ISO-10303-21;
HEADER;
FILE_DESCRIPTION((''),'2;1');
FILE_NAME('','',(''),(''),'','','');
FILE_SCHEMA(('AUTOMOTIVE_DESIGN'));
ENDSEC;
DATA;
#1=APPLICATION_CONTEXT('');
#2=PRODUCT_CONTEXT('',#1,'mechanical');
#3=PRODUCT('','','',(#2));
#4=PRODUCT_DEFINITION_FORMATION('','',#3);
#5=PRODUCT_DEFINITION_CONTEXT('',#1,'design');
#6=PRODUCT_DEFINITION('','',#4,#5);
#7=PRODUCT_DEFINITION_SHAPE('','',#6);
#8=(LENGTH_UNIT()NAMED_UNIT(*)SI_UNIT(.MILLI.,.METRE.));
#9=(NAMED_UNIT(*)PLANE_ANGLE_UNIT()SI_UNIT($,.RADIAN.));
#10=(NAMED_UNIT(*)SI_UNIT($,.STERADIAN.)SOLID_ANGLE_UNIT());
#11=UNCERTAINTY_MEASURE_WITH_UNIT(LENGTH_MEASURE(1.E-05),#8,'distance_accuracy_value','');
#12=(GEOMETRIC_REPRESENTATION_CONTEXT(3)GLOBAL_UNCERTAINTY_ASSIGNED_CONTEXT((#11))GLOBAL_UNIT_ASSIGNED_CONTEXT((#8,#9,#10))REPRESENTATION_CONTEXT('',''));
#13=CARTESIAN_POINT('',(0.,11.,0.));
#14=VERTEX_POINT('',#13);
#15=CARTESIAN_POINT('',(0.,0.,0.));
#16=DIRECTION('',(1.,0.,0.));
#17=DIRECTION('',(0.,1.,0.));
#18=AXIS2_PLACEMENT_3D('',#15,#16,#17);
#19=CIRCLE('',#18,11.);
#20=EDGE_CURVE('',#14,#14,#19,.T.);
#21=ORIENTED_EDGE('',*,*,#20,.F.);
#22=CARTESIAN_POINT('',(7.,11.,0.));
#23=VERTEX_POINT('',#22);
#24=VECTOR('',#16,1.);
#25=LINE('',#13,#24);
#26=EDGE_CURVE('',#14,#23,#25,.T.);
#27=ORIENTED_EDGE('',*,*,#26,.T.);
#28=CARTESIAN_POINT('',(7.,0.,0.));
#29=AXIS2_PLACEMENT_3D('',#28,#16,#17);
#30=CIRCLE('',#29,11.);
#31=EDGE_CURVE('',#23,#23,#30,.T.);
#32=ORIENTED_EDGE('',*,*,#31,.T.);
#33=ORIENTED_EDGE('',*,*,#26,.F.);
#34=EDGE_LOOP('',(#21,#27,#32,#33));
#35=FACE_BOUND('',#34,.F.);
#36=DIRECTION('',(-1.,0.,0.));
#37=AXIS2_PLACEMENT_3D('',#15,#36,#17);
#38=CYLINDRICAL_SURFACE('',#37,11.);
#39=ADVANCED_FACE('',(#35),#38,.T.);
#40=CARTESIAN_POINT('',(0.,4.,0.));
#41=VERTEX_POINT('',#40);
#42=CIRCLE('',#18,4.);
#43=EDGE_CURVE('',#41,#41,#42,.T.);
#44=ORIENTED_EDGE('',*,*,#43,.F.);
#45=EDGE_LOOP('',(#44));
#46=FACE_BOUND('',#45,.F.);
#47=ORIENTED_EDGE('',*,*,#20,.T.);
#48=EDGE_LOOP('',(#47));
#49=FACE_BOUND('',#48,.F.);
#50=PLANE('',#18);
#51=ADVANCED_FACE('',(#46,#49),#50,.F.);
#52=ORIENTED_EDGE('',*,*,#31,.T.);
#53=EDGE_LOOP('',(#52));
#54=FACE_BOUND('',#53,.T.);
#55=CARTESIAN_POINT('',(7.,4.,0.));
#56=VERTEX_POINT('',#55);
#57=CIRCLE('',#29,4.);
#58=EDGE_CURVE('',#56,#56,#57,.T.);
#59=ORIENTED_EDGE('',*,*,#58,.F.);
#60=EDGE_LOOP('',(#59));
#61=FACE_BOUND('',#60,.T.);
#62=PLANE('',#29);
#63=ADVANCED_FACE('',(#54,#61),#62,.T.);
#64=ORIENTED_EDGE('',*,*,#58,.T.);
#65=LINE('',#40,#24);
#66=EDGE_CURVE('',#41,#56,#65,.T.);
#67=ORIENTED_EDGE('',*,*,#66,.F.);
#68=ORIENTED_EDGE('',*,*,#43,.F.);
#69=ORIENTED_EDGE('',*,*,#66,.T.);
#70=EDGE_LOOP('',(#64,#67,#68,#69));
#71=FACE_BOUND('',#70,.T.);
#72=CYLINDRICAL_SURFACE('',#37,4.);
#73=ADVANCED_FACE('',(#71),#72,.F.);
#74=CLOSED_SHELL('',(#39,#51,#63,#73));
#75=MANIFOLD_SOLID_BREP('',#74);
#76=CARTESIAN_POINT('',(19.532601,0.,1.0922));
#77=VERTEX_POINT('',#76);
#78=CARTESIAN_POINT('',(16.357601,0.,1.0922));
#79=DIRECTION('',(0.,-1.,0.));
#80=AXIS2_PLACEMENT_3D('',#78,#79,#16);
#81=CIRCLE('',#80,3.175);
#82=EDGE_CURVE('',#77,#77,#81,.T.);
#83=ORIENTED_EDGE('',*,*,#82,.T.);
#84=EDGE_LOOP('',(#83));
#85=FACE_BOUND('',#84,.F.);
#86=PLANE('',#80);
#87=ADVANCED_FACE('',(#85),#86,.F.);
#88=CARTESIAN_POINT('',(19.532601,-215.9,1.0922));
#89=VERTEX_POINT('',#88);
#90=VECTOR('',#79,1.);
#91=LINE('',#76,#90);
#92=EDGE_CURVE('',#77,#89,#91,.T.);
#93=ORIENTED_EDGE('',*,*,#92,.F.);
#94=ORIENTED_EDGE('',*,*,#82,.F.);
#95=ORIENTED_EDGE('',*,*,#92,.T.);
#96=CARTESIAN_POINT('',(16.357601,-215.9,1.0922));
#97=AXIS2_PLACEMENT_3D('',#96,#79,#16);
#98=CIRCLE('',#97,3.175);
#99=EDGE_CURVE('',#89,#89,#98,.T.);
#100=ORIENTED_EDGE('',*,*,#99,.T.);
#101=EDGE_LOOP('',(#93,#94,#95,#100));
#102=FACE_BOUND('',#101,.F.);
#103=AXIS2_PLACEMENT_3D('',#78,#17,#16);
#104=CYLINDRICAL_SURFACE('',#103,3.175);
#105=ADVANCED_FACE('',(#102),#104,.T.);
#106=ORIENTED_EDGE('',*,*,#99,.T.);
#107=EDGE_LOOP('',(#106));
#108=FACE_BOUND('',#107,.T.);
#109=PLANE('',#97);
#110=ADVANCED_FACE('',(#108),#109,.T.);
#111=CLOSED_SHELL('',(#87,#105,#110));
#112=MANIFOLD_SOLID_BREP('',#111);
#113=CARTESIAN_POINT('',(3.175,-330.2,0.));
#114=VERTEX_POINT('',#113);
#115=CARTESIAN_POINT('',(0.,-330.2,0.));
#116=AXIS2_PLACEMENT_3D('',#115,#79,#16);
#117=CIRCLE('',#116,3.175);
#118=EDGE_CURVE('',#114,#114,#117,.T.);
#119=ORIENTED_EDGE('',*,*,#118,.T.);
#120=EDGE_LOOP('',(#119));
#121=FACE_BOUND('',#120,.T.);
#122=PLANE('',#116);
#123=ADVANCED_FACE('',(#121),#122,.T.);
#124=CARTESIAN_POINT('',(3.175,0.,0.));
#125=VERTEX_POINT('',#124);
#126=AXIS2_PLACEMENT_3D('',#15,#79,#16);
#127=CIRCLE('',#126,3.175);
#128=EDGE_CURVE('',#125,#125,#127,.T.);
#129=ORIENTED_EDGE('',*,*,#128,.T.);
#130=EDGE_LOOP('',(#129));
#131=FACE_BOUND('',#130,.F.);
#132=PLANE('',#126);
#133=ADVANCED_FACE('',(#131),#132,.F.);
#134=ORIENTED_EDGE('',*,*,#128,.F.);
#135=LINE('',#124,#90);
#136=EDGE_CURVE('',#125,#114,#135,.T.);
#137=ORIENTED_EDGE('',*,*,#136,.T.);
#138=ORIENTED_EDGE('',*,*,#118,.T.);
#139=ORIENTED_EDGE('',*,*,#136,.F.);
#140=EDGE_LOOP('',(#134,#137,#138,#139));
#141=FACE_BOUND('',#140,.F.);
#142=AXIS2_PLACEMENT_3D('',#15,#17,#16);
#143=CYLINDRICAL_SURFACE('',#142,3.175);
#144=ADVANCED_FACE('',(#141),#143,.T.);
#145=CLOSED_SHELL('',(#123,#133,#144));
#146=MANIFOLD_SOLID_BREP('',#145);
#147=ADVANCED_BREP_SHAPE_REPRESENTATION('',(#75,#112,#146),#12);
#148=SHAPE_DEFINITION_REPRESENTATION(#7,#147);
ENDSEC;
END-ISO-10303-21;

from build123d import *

# Parameters (mm, degrees)
F0_R     = 3.175
F1_DEPTH = 330.2
F2_R     = 11
F2_R_2   = 4
F3_DEPTH = 7
F4_R     = 3.175
F5_DEPTH = 215.9


with BuildPart() as f1:
    # F0 (on Front) → F1 (new body)
    with BuildSketch(Plane.XZ):
        Circle(F0_R)
    extrude(amount=F1_DEPTH)


with BuildPart() as f3:
    # F2 (on Right) → F3 (new body)
    with BuildSketch(Plane.YZ):
        Circle(F2_R)
        Circle(F2_R_2, mode=Mode.SUBTRACT)
    extrude(amount=F3_DEPTH)


with BuildPart() as f5:
    # F4 (on Front) → F5 (new body)
    with BuildSketch(Plane.XZ):
        with Locations((16.357601, 1.0922)):
            Circle(F4_R)
    extrude(amount=F5_DEPTH)


solid = Compound([f1.part, f3.part, f5.part])
